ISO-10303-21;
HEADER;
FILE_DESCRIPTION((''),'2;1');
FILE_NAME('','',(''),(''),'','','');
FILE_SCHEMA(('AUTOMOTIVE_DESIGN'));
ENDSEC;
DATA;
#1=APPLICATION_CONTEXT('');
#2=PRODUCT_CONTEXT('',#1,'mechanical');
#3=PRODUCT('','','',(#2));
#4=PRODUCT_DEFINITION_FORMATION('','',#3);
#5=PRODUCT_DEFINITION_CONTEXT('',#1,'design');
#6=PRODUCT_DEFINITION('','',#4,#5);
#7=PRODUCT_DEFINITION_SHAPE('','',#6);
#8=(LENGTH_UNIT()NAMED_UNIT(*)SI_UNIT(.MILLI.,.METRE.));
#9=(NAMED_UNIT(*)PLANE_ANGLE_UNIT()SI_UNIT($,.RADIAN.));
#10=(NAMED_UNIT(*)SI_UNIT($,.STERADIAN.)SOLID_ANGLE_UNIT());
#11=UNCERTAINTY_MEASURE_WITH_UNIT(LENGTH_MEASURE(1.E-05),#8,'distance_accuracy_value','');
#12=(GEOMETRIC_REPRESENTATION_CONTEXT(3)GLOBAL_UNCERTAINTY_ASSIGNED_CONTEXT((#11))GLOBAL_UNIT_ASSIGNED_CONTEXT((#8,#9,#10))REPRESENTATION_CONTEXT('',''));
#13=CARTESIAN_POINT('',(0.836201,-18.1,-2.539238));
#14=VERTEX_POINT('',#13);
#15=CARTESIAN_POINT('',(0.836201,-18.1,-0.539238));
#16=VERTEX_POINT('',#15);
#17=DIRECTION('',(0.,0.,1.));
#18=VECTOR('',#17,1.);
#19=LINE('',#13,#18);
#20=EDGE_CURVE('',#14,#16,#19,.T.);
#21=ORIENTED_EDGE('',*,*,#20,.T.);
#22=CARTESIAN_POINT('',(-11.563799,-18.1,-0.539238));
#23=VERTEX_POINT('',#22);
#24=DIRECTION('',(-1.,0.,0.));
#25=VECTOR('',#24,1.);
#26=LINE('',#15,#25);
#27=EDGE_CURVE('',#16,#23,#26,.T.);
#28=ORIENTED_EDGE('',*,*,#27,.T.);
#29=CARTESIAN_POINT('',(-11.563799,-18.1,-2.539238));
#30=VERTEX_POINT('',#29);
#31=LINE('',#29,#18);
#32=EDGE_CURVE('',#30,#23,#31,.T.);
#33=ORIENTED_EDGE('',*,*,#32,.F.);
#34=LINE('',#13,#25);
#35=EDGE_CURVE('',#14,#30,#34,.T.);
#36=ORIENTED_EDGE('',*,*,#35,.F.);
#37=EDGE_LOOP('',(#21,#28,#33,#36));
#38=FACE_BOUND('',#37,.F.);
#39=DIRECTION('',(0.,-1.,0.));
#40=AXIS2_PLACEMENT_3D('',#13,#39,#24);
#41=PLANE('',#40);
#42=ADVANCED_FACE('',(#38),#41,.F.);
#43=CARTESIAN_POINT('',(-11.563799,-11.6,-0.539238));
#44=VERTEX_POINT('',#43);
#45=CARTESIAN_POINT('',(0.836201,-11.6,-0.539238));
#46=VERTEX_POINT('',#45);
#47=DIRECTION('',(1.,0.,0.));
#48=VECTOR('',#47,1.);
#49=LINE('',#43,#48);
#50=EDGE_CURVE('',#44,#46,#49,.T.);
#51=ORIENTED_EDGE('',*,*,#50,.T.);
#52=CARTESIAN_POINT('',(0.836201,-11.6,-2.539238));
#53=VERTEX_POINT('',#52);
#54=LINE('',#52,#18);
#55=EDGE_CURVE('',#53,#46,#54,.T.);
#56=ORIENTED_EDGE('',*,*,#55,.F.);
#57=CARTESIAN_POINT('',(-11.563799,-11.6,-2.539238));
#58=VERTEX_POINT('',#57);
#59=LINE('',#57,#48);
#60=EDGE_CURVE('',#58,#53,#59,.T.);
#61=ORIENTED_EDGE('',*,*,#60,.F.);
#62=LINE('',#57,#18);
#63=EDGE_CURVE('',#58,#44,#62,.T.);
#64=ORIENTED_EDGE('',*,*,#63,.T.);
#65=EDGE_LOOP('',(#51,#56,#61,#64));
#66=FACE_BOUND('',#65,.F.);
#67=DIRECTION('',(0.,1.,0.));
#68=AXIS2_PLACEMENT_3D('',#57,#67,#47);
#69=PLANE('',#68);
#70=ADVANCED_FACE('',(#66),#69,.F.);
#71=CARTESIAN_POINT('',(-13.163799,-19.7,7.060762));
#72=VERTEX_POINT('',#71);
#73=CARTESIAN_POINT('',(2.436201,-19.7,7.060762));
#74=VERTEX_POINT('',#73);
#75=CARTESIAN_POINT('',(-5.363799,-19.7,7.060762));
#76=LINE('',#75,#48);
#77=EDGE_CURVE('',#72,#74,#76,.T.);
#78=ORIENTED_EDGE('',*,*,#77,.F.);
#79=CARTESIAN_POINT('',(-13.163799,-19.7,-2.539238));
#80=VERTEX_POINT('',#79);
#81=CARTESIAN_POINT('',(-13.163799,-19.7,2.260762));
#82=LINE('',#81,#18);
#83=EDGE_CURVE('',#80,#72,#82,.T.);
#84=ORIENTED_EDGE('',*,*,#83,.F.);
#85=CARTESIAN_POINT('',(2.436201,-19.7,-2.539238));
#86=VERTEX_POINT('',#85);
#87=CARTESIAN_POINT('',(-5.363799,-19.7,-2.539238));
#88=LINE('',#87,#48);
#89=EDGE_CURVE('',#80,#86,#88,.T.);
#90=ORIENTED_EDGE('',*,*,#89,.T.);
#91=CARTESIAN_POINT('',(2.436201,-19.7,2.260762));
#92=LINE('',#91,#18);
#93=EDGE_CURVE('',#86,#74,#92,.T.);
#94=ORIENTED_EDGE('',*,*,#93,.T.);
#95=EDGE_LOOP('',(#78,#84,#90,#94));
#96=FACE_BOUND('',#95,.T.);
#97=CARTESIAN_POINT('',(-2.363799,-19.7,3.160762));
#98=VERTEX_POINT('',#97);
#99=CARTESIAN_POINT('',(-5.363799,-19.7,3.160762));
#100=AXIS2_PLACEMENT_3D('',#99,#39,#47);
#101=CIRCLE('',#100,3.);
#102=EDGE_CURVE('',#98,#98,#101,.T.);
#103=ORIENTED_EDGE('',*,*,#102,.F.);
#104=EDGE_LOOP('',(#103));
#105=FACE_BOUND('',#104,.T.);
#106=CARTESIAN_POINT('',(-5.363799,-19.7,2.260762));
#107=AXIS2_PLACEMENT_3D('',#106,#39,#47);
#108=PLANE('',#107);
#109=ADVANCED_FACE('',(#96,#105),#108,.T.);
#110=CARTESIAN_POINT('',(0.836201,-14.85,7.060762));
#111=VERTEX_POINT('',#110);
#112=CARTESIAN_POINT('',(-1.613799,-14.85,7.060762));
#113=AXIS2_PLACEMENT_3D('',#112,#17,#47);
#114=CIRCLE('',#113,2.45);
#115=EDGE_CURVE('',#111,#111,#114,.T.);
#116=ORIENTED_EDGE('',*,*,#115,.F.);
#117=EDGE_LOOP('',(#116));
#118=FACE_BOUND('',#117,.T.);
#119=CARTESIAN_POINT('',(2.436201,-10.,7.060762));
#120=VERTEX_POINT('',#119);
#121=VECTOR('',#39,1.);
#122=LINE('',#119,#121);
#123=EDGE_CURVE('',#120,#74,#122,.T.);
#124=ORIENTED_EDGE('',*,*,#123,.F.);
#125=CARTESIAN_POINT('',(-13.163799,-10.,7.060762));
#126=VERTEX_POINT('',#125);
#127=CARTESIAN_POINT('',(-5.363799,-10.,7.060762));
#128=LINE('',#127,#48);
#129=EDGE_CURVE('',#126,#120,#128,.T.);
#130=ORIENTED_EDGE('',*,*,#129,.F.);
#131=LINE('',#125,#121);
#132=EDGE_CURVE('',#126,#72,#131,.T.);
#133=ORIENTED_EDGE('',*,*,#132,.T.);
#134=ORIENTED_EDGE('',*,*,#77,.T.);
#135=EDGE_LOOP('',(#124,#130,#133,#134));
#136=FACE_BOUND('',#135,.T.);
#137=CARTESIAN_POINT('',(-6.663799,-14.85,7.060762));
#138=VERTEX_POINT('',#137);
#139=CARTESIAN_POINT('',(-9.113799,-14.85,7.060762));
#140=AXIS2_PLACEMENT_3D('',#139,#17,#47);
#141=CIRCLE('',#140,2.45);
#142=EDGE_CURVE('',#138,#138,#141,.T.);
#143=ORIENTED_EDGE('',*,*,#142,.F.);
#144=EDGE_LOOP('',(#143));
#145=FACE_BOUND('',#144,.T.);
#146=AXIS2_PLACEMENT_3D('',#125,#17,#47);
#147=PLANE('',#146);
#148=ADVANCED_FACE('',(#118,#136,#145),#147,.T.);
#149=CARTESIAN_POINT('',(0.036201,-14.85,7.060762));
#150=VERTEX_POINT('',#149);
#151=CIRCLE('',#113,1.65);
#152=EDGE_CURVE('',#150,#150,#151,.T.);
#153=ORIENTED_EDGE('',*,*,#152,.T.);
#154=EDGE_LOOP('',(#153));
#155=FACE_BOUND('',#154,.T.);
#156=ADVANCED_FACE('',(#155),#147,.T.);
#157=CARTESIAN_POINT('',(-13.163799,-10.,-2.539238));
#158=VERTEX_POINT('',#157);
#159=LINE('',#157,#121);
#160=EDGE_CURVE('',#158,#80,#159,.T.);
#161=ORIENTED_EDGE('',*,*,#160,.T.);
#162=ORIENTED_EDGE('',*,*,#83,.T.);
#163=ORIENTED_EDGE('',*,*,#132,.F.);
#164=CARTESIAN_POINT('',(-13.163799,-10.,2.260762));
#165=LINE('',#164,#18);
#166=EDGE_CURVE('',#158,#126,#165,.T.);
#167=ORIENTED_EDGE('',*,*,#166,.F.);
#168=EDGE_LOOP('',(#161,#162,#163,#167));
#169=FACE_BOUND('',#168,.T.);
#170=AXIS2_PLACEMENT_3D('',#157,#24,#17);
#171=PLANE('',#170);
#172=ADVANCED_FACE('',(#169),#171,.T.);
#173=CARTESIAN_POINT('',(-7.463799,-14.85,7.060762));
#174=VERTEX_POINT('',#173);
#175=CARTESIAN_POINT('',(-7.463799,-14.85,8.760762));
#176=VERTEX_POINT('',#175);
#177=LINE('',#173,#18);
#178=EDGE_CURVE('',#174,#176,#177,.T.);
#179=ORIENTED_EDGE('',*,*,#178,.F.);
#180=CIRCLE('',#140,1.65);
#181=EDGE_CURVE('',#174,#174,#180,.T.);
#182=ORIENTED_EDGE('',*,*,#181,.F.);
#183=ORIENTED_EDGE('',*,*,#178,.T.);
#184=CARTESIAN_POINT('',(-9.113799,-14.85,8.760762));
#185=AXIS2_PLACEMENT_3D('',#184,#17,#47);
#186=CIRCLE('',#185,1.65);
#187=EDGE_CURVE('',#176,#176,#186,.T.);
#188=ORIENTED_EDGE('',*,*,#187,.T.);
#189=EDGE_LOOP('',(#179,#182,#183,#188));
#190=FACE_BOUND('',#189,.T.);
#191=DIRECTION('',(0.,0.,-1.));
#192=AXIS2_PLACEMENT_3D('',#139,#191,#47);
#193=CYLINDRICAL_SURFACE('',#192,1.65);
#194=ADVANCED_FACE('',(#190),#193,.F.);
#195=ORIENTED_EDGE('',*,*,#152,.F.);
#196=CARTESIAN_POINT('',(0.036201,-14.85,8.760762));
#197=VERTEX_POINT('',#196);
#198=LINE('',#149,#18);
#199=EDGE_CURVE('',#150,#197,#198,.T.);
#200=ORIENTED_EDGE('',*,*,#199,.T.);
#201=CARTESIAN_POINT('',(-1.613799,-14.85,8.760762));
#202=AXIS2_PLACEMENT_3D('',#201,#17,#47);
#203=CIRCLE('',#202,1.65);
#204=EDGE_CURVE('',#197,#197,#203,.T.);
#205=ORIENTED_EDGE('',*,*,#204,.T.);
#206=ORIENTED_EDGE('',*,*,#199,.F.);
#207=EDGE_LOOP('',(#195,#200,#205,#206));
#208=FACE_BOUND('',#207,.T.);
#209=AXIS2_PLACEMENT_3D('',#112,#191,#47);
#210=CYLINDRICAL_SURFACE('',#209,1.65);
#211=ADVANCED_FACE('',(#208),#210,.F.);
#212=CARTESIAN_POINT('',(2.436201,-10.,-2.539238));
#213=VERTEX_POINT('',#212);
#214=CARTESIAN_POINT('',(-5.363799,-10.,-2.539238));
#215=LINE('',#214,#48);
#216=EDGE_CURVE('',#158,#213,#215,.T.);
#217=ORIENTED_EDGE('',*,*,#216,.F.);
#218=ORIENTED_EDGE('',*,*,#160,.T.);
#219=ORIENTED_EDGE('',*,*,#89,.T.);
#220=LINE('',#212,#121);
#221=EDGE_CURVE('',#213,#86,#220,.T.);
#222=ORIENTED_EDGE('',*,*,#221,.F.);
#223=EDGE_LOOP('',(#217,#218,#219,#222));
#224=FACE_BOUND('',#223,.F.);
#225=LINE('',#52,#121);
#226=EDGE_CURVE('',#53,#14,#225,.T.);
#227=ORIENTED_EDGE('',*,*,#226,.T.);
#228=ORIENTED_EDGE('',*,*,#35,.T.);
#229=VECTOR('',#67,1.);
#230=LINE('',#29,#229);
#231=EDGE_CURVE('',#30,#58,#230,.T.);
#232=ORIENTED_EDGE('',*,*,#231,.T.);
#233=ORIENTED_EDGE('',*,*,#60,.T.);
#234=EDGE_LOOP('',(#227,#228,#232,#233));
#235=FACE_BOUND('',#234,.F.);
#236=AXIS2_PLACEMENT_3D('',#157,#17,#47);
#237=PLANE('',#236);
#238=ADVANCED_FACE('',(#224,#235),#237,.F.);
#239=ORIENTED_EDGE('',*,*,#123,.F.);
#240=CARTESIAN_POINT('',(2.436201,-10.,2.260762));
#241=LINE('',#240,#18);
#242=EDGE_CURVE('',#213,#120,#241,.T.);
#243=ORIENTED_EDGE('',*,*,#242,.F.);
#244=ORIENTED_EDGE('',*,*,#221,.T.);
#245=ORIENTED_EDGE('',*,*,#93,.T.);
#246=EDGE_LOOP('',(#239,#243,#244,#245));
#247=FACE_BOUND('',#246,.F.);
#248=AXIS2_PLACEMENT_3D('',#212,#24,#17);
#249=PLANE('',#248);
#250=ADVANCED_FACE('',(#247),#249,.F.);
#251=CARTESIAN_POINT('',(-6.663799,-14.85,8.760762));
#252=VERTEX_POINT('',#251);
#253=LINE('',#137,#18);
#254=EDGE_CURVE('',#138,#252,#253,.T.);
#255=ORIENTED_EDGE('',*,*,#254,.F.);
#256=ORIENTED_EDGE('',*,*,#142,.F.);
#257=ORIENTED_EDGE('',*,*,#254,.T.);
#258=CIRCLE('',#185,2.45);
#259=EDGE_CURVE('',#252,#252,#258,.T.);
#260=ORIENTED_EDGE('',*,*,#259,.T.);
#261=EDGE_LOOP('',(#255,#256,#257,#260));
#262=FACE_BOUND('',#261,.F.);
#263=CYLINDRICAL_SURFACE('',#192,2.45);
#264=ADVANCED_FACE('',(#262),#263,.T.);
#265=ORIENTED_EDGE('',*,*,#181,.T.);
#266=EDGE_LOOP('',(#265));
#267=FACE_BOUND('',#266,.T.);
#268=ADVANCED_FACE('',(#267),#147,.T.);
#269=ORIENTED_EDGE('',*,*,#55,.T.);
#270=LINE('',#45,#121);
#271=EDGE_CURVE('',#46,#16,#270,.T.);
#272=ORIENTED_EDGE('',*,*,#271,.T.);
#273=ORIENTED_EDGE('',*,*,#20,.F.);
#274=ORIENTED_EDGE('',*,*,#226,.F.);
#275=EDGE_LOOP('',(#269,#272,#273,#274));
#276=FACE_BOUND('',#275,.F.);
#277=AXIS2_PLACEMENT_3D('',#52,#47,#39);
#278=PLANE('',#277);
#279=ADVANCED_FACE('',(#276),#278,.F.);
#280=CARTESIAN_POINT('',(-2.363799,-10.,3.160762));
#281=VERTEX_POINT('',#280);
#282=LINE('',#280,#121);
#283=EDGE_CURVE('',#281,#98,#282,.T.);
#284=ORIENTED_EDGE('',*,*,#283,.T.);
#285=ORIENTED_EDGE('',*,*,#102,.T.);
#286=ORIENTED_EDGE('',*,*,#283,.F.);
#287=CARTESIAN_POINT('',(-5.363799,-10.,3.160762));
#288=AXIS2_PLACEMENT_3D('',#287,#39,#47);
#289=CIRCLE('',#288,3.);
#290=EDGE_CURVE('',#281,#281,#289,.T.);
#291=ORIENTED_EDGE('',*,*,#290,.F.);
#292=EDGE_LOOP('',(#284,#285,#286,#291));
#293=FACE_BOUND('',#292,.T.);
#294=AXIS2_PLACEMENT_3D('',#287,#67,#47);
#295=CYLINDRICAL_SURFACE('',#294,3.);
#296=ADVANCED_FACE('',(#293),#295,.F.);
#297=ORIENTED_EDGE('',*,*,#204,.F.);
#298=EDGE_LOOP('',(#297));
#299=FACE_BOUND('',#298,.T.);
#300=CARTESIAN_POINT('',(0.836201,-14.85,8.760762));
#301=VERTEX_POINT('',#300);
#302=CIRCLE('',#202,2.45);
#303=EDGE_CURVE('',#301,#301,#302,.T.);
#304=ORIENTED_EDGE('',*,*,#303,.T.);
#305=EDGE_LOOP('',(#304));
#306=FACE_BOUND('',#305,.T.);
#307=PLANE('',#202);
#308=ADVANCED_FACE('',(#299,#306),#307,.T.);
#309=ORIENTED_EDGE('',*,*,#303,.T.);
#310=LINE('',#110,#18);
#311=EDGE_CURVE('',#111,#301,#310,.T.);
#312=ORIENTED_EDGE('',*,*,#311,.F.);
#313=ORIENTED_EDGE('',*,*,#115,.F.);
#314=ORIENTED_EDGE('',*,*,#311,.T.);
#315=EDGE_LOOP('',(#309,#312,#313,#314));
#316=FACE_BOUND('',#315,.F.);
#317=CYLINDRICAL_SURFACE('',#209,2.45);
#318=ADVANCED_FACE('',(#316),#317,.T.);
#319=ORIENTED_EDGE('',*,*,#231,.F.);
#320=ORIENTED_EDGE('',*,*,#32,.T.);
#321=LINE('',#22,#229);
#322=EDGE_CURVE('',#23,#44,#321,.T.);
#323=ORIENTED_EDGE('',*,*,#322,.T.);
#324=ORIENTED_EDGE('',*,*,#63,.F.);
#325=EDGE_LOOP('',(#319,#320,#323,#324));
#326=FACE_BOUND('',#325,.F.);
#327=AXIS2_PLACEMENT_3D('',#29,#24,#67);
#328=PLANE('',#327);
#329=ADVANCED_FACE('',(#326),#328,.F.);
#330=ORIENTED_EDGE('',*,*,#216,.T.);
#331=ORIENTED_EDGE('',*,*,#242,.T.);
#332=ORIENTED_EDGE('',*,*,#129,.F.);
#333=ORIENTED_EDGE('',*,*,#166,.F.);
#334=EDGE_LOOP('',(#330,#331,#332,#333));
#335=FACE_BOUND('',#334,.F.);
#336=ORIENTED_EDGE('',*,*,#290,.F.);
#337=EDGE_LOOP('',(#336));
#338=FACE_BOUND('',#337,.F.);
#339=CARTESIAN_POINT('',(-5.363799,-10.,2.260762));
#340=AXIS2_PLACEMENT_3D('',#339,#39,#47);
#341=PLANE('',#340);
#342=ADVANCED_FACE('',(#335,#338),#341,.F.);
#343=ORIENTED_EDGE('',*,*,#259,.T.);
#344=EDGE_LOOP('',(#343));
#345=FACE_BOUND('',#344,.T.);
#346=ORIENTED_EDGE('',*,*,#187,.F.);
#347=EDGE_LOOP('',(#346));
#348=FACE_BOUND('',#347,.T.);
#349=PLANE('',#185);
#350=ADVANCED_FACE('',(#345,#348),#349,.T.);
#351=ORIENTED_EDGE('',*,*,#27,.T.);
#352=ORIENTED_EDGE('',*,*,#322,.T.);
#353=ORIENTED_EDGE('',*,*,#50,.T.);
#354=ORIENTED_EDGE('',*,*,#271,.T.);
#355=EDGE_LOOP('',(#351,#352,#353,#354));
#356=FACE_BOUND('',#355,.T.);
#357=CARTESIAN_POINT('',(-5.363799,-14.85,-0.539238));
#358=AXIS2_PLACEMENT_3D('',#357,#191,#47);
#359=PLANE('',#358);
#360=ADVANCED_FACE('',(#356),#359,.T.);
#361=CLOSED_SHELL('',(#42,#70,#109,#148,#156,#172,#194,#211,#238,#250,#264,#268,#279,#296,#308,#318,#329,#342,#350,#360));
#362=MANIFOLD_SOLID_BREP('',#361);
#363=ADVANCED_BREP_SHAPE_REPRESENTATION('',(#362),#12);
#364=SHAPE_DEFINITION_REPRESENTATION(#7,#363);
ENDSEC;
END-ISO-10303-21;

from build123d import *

# Parameters (mm, degrees)
F1_START = 10
F0_W     = 15.6
F0_H     = 9.6
F0_R     = 3
F1_DEPTH = 9.7
F2_R     = 2.45
F2_R_2   = 1.65
F3_DEPTH = 1.7
F5_DEPTH = 2
F0_R_2   = 2.3
F6_DEPTH = 0.8
F7_R     = 3
F7_R_2   = 2.3
F8_DEPTH = 0.8


with BuildPart() as f1:
    # F0 (on Front) → F1 (new body)
    with BuildSketch(Plane.XZ.offset(F1_START)):
        with Locations((-5.3637987003, 2.2607615549)):
            Rectangle(F0_W, F0_H)
        with Locations((-5.3637987003, 3.1607615549)):
            Circle(F0_R, mode=Mode.SUBTRACT)
    extrude(amount=F1_DEPTH)

    # F2 (on face) → F3 (join)
    with BuildSketch(Plane.XY.offset(7.0607615549)):
        with Locations((-1.6137987003, -14.85)):
            Circle(F2_R)
        with Locations((-1.6137987003, -14.85)):
            Circle(F2_R_2, mode=Mode.SUBTRACT)
        with Locations((-9.1137987003, -14.85)):
            Circle(F2_R)
        with Locations((-9.1137987003, -14.85)):
            Circle(F2_R_2, mode=Mode.SUBTRACT)
    extrude(amount=F3_DEPTH)

    # F4 (on face) → F5 (cut)
    with BuildSketch(Plane(origin=(0, 0, -2.5392384451), x_dir=(1, 0, 0), z_dir=(0, 0, -1))):
        Polygon((-11.5637987003, 18.1), (-11.5637987003, 14.85), (-11.5637987003, 11.6), (-5.3637987003, 11.6), (0.8362012997, 11.6), (0.8362012997, 14.85), (0.8362012997, 18.1), (-5.3637987003, 18.1), align=None)
    extrude(amount=-F5_DEPTH, mode=Mode.SUBTRACT)

    # F0 (on Front) → F6 (cut)
    with BuildSketch(Plane.XZ):
        with Locations((-5.3637987003, 3.1607615549)):
            Circle(F0_R)
        with Locations((-5.3637987003, 3.1607615549)):
            Circle(F0_R_2, mode=Mode.SUBTRACT)
    extrude(amount=F6_DEPTH, mode=Mode.SUBTRACT)

    # F7 (on face) → F8 (cut)
    with BuildSketch(Plane.XZ.offset(19.7)):
        with Locations((-5.3637987003, 3.1607615549)):
            Circle(F7_R)
        with Locations((-5.3637987003, 3.1607615549)):
            Circle(F7_R_2, mode=Mode.SUBTRACT)
    extrude(amount=-F8_DEPTH, mode=Mode.SUBTRACT)


solid = f1.part
